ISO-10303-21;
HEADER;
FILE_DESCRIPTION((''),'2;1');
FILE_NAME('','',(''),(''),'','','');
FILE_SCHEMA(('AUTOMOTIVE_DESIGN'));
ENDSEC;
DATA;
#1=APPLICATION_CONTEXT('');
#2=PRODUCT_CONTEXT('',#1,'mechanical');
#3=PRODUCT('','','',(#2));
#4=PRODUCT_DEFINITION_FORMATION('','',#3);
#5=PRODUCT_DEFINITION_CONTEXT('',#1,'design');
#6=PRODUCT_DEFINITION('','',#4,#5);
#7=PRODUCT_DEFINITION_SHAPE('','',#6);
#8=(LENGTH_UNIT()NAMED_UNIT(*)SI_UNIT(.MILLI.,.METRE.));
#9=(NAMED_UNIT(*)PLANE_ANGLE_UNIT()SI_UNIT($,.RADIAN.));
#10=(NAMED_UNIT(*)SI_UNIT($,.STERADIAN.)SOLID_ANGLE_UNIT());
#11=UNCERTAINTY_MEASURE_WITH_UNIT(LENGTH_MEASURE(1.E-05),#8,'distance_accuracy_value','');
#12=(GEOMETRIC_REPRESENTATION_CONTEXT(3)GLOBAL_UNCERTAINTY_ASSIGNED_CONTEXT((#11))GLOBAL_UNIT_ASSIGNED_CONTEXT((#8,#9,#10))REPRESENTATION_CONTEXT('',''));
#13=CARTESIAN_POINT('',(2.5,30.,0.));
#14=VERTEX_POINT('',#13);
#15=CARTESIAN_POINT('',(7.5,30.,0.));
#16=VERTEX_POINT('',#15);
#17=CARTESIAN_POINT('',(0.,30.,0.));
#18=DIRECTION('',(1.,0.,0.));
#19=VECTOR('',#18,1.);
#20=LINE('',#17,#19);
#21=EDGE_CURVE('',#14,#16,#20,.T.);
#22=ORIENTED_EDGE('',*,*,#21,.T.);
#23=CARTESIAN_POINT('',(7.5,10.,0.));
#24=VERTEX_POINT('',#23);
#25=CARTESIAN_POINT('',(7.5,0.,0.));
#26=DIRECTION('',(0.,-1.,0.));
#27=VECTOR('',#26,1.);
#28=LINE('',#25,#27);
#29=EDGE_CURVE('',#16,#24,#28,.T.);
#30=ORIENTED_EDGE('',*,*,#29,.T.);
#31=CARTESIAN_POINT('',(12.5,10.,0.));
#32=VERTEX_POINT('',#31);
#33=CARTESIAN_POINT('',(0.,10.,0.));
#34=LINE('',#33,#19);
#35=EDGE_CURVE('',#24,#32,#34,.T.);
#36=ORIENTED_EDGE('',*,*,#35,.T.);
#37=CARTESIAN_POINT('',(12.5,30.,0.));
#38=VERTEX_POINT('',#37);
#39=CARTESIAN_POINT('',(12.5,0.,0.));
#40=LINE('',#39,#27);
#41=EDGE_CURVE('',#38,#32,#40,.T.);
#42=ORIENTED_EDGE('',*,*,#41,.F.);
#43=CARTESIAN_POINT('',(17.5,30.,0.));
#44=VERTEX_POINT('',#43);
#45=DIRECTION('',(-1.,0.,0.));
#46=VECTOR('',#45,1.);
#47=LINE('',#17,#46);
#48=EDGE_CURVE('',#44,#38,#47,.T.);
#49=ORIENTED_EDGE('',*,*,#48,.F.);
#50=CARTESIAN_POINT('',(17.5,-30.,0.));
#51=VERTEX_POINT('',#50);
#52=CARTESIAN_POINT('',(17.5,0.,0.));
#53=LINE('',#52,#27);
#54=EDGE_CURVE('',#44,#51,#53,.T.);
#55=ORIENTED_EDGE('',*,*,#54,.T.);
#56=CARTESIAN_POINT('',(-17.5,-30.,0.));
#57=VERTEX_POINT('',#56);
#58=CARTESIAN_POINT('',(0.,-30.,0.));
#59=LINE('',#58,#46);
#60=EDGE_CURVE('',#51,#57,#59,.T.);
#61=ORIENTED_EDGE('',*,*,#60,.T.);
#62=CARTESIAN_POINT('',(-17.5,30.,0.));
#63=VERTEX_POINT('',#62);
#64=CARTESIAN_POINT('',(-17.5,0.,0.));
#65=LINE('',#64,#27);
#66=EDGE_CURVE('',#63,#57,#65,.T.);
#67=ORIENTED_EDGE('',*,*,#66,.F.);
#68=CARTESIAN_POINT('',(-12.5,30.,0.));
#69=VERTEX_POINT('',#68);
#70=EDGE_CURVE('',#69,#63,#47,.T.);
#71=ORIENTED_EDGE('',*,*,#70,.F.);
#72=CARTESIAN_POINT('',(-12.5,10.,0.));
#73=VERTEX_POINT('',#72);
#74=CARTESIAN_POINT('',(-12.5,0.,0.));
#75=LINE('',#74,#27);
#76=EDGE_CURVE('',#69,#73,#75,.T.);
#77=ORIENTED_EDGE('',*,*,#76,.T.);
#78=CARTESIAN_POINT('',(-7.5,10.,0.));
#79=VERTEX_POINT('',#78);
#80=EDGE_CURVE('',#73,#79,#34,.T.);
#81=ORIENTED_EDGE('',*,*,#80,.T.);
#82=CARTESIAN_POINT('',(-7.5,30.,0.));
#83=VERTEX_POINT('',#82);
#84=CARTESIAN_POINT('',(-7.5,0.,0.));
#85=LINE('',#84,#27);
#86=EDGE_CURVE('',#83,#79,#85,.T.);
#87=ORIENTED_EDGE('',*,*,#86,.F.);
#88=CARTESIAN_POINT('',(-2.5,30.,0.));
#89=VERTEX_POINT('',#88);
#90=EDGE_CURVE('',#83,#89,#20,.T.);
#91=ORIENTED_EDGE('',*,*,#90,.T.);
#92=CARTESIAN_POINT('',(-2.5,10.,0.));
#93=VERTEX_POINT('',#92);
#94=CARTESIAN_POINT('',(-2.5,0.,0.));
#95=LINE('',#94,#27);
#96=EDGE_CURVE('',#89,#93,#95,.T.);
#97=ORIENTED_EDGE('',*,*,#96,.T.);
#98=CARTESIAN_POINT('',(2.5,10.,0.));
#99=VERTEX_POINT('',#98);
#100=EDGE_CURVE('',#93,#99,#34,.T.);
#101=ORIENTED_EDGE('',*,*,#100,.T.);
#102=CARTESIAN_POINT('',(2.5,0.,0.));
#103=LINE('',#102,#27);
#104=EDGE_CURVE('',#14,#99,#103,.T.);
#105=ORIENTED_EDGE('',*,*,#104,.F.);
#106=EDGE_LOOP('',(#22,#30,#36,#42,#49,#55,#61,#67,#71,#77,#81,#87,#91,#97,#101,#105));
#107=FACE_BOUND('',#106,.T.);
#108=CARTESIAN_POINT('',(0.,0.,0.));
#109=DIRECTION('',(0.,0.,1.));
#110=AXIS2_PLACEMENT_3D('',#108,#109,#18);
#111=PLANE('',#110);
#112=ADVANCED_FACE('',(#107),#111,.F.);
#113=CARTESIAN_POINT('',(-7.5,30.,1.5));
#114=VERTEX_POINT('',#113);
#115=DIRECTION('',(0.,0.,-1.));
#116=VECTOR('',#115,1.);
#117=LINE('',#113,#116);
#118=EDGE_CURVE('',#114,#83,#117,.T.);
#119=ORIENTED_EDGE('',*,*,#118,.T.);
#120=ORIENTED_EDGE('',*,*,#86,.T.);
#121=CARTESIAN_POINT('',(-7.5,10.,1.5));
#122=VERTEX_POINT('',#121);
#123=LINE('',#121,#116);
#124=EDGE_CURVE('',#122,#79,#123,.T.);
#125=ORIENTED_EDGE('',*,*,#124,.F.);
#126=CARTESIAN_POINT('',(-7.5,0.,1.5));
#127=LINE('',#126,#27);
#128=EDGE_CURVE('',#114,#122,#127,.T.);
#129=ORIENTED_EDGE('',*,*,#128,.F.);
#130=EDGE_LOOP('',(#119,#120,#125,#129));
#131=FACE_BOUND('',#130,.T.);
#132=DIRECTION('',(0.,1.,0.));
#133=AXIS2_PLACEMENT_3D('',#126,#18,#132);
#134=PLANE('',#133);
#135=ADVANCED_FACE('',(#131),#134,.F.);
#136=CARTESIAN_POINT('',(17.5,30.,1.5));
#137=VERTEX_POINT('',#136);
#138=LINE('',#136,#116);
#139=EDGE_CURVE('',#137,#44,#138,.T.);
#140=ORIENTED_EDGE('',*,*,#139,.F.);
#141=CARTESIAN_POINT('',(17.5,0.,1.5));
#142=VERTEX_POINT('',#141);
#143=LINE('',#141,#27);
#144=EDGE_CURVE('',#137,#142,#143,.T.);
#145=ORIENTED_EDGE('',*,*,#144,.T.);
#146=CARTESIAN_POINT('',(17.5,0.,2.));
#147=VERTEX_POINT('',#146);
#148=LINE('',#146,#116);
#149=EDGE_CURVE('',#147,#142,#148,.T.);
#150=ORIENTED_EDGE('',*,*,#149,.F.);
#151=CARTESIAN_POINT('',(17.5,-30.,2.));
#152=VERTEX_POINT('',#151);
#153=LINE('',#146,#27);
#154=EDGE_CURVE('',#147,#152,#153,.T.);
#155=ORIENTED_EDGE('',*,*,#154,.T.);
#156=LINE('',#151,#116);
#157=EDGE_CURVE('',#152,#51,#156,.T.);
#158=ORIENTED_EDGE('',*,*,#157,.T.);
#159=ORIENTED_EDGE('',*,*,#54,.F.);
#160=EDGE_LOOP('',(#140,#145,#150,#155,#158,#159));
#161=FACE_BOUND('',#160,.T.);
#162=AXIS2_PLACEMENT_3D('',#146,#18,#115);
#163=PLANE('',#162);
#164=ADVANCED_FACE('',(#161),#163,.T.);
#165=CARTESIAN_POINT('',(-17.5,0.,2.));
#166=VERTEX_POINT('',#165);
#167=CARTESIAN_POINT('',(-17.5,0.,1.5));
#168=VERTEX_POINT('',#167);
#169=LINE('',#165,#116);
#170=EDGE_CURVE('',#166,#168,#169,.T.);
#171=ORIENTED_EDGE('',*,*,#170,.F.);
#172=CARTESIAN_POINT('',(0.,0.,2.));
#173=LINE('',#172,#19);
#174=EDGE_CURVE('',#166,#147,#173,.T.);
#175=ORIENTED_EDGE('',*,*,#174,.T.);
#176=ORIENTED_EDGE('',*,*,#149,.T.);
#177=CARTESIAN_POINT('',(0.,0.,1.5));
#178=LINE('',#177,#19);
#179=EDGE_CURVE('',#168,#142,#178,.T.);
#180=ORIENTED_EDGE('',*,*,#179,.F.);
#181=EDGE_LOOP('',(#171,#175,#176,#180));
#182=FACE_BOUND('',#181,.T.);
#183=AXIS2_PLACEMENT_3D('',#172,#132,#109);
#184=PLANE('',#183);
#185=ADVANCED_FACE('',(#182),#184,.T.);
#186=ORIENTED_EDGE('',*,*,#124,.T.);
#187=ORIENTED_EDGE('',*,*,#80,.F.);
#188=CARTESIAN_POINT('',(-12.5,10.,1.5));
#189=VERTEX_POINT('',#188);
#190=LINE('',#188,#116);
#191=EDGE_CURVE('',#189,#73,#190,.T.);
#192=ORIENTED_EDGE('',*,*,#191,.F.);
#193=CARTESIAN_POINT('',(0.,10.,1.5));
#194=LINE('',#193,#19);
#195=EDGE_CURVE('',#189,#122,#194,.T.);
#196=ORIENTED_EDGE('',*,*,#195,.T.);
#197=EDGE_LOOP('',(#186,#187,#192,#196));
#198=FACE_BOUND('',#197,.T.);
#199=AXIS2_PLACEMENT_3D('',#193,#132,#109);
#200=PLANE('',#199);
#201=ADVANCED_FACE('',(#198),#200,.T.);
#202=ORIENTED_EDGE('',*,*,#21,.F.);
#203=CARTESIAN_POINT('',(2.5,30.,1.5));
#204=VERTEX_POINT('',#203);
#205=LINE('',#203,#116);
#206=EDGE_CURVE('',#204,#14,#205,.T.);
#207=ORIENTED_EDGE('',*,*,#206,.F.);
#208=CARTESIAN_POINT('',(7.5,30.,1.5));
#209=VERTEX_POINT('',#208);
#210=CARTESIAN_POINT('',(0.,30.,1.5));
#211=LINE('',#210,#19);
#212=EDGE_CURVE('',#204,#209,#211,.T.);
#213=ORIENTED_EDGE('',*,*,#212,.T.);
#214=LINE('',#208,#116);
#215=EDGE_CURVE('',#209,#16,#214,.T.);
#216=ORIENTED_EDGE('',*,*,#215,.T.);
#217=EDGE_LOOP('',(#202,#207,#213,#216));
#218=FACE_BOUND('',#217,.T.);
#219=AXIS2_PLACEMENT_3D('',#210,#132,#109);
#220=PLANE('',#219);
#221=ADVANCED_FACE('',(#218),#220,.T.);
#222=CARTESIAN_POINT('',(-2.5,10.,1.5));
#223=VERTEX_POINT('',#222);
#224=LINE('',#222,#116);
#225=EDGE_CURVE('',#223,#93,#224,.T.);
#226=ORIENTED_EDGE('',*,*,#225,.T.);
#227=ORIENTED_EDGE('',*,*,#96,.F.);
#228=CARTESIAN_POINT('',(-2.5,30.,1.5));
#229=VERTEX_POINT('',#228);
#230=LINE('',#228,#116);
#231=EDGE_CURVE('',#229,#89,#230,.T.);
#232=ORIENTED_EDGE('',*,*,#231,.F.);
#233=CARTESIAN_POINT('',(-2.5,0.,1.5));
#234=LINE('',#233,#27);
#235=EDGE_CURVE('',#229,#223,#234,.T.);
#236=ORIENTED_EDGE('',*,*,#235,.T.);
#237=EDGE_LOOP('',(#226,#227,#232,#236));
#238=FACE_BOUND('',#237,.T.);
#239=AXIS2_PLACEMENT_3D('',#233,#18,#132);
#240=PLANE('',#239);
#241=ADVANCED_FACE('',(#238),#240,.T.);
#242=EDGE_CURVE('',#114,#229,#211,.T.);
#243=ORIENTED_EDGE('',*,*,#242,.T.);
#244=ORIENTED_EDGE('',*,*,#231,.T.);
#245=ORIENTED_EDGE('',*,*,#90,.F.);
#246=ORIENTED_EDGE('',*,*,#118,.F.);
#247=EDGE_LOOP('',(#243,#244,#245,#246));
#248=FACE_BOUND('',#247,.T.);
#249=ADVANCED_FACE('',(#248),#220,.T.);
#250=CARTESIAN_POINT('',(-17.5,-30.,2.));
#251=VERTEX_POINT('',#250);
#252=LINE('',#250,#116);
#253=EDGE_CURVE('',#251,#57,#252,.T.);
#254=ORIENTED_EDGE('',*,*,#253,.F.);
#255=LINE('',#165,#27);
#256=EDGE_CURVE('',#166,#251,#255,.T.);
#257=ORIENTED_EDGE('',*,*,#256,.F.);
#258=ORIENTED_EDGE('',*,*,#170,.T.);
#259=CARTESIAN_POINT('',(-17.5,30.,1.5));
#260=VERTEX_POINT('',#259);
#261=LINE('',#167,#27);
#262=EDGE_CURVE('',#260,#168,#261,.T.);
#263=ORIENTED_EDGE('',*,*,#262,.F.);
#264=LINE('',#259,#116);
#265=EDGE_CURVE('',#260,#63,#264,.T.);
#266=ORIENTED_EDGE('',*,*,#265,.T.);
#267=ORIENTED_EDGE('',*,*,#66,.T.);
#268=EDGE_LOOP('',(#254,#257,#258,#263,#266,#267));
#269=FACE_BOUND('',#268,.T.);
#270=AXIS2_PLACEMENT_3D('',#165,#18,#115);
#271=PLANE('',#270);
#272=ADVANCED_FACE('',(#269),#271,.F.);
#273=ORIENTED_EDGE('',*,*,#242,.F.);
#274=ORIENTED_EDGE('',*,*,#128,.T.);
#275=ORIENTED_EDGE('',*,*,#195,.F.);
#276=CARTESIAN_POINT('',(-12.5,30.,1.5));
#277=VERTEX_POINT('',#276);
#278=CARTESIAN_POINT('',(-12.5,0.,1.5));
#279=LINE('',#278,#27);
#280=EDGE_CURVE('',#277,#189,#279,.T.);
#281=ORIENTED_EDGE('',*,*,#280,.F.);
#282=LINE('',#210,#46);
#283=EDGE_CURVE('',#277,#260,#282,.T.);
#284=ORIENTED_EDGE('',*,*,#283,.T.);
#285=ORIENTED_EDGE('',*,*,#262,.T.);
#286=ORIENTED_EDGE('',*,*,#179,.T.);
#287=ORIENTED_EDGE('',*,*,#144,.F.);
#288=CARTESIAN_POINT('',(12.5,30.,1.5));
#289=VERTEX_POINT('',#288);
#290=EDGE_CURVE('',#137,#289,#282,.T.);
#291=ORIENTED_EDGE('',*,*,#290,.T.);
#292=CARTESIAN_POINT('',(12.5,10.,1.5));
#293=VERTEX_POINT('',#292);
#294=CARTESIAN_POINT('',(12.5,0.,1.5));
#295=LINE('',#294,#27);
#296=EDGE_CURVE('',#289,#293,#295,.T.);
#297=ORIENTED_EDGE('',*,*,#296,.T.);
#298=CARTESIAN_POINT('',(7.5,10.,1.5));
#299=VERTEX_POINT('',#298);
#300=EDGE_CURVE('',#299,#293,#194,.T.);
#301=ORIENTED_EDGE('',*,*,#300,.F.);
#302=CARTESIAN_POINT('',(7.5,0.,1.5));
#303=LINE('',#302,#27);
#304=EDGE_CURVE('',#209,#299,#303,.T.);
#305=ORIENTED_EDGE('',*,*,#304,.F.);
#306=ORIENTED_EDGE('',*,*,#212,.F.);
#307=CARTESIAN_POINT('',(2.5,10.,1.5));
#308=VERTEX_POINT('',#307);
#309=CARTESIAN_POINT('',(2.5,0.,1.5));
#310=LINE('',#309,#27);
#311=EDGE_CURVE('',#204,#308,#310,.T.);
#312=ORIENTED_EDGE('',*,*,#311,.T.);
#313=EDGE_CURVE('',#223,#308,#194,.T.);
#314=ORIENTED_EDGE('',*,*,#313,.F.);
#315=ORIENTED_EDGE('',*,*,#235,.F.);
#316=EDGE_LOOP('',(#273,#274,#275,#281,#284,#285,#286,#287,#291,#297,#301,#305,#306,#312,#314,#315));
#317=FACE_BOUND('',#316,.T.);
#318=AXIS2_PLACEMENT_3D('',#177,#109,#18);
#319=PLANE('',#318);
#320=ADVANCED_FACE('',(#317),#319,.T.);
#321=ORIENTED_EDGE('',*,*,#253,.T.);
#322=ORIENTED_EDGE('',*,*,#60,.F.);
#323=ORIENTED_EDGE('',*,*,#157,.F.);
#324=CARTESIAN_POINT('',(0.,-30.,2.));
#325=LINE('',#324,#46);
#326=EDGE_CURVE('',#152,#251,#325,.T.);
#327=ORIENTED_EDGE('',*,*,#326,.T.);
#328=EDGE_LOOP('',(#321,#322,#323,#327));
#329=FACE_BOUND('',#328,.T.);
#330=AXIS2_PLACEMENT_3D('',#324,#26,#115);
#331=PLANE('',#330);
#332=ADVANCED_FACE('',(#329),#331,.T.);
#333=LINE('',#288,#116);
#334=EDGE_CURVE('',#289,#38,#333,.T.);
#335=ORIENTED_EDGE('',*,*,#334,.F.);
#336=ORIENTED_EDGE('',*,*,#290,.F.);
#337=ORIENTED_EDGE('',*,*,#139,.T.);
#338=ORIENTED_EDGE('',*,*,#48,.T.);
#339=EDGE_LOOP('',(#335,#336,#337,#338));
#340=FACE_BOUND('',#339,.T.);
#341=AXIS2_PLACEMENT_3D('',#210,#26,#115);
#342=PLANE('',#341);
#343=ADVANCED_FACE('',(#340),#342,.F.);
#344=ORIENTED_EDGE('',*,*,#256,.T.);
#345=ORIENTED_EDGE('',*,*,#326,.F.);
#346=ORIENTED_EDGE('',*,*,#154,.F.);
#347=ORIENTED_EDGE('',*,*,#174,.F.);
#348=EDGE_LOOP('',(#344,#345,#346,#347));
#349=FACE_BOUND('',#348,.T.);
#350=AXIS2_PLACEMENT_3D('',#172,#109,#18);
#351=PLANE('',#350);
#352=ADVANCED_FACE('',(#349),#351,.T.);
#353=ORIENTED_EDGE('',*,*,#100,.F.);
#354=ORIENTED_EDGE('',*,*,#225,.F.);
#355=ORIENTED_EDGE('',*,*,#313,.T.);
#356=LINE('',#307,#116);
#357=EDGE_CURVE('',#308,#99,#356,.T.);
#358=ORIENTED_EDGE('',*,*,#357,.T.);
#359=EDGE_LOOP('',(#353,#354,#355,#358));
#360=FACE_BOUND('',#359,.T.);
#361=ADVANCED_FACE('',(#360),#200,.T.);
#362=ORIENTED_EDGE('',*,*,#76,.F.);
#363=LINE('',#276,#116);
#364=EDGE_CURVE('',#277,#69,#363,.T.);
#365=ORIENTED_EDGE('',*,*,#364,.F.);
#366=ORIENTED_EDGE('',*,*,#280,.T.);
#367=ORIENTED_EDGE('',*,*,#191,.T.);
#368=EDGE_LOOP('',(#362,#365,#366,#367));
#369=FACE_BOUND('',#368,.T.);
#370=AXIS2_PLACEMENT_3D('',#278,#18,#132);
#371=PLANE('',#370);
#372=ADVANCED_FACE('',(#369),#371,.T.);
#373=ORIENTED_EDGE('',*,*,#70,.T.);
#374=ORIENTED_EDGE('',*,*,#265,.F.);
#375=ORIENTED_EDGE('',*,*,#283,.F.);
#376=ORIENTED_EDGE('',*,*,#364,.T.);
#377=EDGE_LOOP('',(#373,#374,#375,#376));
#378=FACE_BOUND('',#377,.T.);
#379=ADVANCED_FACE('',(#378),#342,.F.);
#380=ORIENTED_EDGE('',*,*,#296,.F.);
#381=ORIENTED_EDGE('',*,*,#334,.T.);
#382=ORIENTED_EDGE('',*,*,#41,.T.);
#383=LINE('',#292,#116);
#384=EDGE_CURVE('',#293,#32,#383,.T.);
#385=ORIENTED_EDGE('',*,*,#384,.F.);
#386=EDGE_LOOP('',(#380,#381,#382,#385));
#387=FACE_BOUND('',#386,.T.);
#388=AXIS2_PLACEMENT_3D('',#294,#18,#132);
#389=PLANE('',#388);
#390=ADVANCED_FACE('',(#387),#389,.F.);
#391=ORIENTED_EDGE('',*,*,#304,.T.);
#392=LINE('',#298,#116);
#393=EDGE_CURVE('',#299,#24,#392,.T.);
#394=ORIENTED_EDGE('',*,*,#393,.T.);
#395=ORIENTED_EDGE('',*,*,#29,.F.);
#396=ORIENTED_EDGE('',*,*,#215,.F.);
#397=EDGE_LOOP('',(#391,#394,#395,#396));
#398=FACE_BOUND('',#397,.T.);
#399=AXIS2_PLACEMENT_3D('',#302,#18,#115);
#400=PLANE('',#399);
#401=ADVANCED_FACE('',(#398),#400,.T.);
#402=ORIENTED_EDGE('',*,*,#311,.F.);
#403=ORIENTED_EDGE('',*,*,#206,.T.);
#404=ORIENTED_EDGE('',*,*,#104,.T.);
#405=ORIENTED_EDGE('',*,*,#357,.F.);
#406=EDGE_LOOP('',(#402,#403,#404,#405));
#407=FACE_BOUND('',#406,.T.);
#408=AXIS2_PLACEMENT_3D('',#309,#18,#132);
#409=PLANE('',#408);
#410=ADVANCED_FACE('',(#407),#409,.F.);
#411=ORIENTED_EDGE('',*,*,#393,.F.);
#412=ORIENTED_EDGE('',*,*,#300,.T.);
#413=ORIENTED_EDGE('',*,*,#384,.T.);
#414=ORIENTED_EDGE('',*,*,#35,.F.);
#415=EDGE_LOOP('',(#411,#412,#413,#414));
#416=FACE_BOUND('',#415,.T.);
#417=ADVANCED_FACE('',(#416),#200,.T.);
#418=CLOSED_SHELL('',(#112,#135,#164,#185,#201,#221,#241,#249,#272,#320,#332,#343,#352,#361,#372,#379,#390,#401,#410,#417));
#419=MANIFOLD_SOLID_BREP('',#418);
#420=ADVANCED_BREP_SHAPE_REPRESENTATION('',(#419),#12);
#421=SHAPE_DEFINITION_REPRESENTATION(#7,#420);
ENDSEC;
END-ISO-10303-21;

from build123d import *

# Parameters (mm, degrees)
SKETCH1_W           = 35
SKETCH1_H           = 30
BOSS_EXTRUDE5_DEPTH = 2
BOSS_EXTRUDE6_DEPTH = 1.5


with BuildPart() as part:
    # Sketch1 → Boss-Extrude5 (new body)
    with BuildSketch(Plane.XY):
        with Locations((0, -15)):
            Rectangle(SKETCH1_W, SKETCH1_H)
    extrude(amount=BOSS_EXTRUDE5_DEPTH)

    # Sketch1<7> → Boss-Extrude6 (add)
    with BuildSketch(Plane.XY):
        Polygon((-12.5, 10), (-12.5, 30), (-17.5, 30), (-17.5, 10), (-17.5, 0), (17.5, 0), (17.5, 10), (17.5, 30), (12.5, 30), (12.5, 10), (7.5, 10), (7.5, 30), (2.5, 30), (2.5, 10), (-2.5, 10), (-2.5, 30), (-7.5, 30), (-7.5, 10), align=None)
    extrude(amount=BOSS_EXTRUDE6_DEPTH)


solid = part.part
